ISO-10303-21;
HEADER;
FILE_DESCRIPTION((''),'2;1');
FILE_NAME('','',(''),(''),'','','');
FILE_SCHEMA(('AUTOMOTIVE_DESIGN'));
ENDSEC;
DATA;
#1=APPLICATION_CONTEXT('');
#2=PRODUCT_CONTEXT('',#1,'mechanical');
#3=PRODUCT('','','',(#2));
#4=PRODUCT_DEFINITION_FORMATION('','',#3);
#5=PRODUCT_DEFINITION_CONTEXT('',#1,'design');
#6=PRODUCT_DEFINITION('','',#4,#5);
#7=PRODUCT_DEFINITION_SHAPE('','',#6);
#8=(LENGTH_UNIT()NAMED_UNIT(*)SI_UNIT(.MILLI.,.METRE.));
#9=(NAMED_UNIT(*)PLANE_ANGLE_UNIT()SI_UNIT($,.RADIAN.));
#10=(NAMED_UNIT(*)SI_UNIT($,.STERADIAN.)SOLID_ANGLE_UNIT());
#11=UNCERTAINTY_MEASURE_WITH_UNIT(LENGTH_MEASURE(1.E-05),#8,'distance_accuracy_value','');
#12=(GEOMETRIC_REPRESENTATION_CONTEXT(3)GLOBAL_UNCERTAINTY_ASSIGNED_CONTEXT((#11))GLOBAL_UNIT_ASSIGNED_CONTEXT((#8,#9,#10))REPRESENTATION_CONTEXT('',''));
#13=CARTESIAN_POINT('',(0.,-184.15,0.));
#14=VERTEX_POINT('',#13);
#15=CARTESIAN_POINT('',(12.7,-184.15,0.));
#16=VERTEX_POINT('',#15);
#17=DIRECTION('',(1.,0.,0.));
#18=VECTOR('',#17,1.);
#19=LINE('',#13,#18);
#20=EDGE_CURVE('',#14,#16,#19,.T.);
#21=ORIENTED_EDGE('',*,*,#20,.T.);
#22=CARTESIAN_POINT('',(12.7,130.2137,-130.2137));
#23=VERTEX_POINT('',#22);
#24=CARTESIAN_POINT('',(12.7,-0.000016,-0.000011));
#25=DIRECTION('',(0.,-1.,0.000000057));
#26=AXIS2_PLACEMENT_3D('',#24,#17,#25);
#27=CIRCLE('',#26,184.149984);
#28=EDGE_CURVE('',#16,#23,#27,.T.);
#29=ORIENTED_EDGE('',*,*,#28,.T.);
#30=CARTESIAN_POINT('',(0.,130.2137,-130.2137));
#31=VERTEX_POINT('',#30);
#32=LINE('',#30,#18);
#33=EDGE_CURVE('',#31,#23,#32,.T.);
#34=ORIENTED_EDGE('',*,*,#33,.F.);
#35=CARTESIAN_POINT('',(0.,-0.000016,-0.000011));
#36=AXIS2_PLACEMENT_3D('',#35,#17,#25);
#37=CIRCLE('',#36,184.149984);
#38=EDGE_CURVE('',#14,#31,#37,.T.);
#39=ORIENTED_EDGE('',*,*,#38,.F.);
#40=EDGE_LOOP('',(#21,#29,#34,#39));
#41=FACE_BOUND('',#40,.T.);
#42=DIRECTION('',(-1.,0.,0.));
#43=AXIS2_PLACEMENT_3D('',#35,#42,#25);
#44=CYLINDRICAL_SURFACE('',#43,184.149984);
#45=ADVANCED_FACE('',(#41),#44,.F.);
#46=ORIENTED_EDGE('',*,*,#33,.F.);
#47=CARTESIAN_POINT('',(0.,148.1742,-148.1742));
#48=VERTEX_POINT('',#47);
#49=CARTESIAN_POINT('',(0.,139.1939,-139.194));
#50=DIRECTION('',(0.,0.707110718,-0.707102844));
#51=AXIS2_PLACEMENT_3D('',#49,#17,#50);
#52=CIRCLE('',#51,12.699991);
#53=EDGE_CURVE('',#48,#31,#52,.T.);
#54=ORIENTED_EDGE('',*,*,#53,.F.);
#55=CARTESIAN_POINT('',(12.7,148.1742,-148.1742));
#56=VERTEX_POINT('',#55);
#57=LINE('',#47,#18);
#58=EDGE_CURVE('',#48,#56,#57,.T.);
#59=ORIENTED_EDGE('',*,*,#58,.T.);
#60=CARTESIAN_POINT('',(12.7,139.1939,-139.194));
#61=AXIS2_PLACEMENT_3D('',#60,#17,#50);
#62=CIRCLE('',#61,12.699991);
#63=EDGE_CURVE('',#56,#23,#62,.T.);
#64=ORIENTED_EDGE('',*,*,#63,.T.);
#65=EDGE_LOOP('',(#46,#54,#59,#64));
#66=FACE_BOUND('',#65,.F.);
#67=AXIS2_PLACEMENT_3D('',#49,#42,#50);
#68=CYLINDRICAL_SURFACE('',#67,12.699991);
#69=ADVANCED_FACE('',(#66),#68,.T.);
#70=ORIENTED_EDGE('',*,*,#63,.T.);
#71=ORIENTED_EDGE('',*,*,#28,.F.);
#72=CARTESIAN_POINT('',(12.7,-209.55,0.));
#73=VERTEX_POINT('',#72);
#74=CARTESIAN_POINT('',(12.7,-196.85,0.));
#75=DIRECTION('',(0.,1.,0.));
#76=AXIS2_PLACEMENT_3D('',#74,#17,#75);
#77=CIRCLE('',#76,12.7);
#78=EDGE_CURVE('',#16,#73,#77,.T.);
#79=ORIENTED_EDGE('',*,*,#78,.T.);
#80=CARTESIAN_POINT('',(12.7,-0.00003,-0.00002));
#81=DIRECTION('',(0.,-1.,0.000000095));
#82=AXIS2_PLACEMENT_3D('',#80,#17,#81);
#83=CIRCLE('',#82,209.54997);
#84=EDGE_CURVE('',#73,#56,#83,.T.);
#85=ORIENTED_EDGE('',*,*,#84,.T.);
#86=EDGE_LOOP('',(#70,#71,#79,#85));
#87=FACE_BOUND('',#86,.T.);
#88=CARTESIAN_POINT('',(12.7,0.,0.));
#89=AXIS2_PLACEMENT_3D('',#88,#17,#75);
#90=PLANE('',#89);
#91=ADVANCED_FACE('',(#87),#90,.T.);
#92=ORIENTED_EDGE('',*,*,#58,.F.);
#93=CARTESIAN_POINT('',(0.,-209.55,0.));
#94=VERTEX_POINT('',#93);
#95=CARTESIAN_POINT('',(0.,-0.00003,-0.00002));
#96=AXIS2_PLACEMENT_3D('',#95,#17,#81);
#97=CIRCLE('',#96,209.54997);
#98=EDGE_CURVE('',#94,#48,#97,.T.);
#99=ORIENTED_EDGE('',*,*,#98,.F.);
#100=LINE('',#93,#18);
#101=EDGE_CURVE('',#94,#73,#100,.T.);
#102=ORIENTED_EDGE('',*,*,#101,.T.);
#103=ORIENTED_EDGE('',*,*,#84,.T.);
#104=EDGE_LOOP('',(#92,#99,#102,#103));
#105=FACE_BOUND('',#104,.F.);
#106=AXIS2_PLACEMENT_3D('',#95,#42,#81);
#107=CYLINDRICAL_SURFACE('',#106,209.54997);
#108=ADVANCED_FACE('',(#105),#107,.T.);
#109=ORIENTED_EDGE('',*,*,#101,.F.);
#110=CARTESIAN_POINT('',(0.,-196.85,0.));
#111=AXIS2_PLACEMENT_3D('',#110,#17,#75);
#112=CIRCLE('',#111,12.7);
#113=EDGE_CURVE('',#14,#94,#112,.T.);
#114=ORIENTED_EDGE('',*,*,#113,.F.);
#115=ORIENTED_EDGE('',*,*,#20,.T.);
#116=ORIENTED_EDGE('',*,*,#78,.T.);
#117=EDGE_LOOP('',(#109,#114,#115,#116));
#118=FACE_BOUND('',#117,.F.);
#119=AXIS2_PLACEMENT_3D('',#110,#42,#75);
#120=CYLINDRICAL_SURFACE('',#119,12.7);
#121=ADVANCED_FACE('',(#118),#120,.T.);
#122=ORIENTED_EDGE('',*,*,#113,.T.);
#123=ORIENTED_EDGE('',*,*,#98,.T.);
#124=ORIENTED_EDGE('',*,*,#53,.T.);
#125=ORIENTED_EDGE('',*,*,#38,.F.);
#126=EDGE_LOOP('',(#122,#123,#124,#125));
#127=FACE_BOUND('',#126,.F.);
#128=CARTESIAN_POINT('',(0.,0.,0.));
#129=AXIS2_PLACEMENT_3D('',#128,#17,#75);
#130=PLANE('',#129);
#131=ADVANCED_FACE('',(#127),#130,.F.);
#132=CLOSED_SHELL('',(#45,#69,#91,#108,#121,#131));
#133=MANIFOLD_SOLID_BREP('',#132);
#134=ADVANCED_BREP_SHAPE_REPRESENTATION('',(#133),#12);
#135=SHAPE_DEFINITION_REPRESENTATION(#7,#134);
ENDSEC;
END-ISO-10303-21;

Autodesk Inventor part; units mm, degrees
ref_plane "YZ Plane" through (0, 0, 0) normal (1, 0, 0) x (0, 1, 0)
ref_plane "XZ Plane" through (0, 0, 0) normal (0, 1, 0) x (-1, 0, 0)
ref_plane "XY Plane" through (0, 0, 0) normal (0, 0, 1) x (1, 0, 0)
sketch "Sketch1" plane through (0, 0, 0) normal (1, 0, 0) x (0, 1, 0)
  arc A0 (-196.85, 0) -> (139.194, -139.194) centre (0, 0) ccw construction
  arc A1 (-209.55, 0) -> (148.1742, -148.1742) centre (0, 0) ccw
  arc A2 (-184.15, 0) -> (130.2137, -130.2137) centre (0, 0) ccw
  arc A3 (-184.15, 0) -> (-209.55, 0) centre (-196.85, 0) ccw
  arc A4 (148.1742, -148.1742) -> (130.2137, -130.2137) centre (139.194, -139.194) ccw
  line L0 (0, 0) -> (-28.2528, 0) construction
  line L1 (-28.2528, 0) -> (-28.2528, -35.2546) construction
  line L2 (-28.2528, -35.2546) -> (0, -35.2546) construction
  line L3 (0, -35.2546) -> (0, 0) construction
  line L4 (0, 0) -> (258.9139, -258.9139) construction
  dimension "d1" = 45
  dimension "d5" = 209.55
  dimension "d6" = 12.7
  dimension "d7" = 196.85
  dimension "d8" = 184.15
  dimension "d9" = 12.7
extrude "Extrusion1" add sketch "Sketch1" along normal blind 12.7
properties part number "Curved Lexan Support" material "Polycarbonate, Clear"
